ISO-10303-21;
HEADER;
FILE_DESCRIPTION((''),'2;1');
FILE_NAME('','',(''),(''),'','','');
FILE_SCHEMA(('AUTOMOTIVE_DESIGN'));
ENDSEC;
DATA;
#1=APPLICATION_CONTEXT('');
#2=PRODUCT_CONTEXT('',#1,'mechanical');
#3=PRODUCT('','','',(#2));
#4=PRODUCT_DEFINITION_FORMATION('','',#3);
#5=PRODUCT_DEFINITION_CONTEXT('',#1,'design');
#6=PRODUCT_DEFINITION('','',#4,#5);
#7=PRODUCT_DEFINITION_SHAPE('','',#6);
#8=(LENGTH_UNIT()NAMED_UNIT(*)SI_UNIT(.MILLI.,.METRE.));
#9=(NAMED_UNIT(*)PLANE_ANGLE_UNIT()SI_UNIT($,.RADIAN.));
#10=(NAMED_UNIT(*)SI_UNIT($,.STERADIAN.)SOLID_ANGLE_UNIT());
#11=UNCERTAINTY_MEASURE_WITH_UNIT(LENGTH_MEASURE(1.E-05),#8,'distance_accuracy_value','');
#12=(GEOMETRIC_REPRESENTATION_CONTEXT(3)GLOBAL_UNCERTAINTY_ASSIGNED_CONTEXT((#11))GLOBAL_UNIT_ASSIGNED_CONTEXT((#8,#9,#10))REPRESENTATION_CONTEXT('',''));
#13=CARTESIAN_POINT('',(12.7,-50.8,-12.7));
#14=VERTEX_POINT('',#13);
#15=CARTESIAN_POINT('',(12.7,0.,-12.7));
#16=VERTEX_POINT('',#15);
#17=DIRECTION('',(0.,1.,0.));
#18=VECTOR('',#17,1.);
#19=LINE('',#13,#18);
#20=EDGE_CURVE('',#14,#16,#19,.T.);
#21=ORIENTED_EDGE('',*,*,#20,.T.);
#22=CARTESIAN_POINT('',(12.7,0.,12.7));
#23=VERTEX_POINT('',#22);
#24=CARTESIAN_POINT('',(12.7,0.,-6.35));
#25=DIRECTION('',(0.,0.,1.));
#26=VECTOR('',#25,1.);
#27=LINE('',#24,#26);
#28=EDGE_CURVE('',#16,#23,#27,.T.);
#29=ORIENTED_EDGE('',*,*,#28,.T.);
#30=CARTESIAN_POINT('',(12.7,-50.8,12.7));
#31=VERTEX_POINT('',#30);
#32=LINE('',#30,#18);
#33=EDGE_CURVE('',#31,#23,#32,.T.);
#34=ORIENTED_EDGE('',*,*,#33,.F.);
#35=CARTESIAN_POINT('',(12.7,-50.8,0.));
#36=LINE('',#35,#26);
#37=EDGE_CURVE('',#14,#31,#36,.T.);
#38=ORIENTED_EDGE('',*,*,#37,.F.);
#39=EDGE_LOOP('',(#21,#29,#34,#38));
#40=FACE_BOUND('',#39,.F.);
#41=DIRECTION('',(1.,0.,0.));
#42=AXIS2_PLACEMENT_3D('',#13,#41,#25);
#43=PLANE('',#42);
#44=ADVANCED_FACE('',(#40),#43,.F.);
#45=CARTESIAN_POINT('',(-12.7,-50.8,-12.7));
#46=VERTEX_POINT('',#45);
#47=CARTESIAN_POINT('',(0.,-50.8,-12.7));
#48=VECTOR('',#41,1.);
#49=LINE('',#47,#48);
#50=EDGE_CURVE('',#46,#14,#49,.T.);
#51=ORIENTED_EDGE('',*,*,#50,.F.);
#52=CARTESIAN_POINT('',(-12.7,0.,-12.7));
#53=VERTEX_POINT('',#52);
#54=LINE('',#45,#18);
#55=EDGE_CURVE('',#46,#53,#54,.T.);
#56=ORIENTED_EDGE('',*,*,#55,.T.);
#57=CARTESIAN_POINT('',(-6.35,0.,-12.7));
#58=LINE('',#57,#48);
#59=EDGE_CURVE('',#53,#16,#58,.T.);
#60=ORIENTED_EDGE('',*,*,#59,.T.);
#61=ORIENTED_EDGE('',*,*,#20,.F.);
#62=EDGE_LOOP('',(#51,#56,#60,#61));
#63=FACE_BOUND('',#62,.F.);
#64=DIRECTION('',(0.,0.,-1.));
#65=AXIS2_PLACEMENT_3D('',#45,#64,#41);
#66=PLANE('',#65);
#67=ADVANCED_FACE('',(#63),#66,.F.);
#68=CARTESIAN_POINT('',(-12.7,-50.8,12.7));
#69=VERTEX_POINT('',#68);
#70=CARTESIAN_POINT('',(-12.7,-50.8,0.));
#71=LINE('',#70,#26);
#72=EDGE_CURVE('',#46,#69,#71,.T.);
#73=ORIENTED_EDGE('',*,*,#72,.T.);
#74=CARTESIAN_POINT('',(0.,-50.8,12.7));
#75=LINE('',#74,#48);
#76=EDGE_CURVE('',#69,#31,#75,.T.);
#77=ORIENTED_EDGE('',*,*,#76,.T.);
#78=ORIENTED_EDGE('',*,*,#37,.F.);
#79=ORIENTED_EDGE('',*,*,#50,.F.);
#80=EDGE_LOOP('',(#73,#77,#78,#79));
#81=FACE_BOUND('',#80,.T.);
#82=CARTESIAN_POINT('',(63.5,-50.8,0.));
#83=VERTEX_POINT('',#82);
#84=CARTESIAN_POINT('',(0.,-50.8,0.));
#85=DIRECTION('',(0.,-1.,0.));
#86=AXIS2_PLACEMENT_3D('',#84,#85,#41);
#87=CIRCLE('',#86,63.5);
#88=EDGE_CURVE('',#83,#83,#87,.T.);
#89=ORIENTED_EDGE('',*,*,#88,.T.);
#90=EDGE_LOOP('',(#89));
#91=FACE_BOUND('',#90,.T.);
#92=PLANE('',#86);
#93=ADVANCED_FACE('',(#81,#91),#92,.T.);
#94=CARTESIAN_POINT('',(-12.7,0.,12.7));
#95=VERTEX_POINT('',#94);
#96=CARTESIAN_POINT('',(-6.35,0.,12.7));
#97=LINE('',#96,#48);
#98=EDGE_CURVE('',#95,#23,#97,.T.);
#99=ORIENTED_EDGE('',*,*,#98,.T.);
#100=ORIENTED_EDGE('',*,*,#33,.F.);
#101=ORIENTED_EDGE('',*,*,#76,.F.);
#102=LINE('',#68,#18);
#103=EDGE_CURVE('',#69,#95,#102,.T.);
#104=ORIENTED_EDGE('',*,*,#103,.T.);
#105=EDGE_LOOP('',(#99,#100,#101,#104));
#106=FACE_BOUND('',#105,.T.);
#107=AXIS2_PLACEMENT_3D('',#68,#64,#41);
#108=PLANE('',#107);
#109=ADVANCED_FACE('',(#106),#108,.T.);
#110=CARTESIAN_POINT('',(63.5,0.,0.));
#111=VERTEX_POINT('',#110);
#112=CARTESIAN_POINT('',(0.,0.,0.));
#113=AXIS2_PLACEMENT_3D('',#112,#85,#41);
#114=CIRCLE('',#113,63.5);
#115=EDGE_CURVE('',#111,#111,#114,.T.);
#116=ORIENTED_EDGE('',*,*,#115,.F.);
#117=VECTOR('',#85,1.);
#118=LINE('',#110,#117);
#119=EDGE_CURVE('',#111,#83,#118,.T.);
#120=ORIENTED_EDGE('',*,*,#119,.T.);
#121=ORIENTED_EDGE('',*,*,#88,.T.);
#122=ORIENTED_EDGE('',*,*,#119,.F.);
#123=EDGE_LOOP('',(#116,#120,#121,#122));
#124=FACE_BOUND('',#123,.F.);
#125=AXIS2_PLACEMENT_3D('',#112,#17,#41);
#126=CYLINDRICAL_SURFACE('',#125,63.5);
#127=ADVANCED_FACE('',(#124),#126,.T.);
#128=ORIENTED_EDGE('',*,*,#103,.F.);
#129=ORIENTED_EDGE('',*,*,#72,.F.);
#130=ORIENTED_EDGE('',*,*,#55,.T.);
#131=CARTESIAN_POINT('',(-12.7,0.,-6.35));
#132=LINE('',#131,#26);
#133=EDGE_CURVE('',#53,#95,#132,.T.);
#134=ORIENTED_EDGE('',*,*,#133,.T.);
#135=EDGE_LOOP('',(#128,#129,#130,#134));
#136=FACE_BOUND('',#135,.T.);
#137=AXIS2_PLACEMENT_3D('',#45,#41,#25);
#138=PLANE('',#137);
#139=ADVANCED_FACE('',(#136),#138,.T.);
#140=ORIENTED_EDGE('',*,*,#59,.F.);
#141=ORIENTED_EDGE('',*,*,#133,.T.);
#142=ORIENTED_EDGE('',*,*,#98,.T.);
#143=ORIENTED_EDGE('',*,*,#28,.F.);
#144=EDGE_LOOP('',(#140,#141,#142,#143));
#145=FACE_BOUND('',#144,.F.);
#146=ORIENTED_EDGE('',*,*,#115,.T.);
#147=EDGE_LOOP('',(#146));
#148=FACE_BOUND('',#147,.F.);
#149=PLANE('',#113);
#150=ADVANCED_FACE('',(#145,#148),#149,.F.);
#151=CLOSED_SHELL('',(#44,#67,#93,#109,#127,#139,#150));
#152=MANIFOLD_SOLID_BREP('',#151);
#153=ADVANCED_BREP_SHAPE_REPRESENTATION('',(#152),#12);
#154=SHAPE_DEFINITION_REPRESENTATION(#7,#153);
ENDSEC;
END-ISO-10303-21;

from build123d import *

# Parameters (mm, degrees)
F0_R     = 63.5
F1_DEPTH = 50.8
F2_W     = 25.4
F2_H     = 25.4
F3_DEPTH = 50.801


with BuildPart() as f1:
    # F0 (on Front) → F1 (new body)
    with BuildSketch(Plane.XZ):
        Circle(F0_R)
    extrude(amount=F1_DEPTH)

    # F2 (on face) → F3 (cut, through all)
    with BuildSketch(Plane.XZ.offset(50.8)):
        Rectangle(F2_W, F2_H)
    extrude(amount=-F3_DEPTH, mode=Mode.SUBTRACT)


solid = f1.part
